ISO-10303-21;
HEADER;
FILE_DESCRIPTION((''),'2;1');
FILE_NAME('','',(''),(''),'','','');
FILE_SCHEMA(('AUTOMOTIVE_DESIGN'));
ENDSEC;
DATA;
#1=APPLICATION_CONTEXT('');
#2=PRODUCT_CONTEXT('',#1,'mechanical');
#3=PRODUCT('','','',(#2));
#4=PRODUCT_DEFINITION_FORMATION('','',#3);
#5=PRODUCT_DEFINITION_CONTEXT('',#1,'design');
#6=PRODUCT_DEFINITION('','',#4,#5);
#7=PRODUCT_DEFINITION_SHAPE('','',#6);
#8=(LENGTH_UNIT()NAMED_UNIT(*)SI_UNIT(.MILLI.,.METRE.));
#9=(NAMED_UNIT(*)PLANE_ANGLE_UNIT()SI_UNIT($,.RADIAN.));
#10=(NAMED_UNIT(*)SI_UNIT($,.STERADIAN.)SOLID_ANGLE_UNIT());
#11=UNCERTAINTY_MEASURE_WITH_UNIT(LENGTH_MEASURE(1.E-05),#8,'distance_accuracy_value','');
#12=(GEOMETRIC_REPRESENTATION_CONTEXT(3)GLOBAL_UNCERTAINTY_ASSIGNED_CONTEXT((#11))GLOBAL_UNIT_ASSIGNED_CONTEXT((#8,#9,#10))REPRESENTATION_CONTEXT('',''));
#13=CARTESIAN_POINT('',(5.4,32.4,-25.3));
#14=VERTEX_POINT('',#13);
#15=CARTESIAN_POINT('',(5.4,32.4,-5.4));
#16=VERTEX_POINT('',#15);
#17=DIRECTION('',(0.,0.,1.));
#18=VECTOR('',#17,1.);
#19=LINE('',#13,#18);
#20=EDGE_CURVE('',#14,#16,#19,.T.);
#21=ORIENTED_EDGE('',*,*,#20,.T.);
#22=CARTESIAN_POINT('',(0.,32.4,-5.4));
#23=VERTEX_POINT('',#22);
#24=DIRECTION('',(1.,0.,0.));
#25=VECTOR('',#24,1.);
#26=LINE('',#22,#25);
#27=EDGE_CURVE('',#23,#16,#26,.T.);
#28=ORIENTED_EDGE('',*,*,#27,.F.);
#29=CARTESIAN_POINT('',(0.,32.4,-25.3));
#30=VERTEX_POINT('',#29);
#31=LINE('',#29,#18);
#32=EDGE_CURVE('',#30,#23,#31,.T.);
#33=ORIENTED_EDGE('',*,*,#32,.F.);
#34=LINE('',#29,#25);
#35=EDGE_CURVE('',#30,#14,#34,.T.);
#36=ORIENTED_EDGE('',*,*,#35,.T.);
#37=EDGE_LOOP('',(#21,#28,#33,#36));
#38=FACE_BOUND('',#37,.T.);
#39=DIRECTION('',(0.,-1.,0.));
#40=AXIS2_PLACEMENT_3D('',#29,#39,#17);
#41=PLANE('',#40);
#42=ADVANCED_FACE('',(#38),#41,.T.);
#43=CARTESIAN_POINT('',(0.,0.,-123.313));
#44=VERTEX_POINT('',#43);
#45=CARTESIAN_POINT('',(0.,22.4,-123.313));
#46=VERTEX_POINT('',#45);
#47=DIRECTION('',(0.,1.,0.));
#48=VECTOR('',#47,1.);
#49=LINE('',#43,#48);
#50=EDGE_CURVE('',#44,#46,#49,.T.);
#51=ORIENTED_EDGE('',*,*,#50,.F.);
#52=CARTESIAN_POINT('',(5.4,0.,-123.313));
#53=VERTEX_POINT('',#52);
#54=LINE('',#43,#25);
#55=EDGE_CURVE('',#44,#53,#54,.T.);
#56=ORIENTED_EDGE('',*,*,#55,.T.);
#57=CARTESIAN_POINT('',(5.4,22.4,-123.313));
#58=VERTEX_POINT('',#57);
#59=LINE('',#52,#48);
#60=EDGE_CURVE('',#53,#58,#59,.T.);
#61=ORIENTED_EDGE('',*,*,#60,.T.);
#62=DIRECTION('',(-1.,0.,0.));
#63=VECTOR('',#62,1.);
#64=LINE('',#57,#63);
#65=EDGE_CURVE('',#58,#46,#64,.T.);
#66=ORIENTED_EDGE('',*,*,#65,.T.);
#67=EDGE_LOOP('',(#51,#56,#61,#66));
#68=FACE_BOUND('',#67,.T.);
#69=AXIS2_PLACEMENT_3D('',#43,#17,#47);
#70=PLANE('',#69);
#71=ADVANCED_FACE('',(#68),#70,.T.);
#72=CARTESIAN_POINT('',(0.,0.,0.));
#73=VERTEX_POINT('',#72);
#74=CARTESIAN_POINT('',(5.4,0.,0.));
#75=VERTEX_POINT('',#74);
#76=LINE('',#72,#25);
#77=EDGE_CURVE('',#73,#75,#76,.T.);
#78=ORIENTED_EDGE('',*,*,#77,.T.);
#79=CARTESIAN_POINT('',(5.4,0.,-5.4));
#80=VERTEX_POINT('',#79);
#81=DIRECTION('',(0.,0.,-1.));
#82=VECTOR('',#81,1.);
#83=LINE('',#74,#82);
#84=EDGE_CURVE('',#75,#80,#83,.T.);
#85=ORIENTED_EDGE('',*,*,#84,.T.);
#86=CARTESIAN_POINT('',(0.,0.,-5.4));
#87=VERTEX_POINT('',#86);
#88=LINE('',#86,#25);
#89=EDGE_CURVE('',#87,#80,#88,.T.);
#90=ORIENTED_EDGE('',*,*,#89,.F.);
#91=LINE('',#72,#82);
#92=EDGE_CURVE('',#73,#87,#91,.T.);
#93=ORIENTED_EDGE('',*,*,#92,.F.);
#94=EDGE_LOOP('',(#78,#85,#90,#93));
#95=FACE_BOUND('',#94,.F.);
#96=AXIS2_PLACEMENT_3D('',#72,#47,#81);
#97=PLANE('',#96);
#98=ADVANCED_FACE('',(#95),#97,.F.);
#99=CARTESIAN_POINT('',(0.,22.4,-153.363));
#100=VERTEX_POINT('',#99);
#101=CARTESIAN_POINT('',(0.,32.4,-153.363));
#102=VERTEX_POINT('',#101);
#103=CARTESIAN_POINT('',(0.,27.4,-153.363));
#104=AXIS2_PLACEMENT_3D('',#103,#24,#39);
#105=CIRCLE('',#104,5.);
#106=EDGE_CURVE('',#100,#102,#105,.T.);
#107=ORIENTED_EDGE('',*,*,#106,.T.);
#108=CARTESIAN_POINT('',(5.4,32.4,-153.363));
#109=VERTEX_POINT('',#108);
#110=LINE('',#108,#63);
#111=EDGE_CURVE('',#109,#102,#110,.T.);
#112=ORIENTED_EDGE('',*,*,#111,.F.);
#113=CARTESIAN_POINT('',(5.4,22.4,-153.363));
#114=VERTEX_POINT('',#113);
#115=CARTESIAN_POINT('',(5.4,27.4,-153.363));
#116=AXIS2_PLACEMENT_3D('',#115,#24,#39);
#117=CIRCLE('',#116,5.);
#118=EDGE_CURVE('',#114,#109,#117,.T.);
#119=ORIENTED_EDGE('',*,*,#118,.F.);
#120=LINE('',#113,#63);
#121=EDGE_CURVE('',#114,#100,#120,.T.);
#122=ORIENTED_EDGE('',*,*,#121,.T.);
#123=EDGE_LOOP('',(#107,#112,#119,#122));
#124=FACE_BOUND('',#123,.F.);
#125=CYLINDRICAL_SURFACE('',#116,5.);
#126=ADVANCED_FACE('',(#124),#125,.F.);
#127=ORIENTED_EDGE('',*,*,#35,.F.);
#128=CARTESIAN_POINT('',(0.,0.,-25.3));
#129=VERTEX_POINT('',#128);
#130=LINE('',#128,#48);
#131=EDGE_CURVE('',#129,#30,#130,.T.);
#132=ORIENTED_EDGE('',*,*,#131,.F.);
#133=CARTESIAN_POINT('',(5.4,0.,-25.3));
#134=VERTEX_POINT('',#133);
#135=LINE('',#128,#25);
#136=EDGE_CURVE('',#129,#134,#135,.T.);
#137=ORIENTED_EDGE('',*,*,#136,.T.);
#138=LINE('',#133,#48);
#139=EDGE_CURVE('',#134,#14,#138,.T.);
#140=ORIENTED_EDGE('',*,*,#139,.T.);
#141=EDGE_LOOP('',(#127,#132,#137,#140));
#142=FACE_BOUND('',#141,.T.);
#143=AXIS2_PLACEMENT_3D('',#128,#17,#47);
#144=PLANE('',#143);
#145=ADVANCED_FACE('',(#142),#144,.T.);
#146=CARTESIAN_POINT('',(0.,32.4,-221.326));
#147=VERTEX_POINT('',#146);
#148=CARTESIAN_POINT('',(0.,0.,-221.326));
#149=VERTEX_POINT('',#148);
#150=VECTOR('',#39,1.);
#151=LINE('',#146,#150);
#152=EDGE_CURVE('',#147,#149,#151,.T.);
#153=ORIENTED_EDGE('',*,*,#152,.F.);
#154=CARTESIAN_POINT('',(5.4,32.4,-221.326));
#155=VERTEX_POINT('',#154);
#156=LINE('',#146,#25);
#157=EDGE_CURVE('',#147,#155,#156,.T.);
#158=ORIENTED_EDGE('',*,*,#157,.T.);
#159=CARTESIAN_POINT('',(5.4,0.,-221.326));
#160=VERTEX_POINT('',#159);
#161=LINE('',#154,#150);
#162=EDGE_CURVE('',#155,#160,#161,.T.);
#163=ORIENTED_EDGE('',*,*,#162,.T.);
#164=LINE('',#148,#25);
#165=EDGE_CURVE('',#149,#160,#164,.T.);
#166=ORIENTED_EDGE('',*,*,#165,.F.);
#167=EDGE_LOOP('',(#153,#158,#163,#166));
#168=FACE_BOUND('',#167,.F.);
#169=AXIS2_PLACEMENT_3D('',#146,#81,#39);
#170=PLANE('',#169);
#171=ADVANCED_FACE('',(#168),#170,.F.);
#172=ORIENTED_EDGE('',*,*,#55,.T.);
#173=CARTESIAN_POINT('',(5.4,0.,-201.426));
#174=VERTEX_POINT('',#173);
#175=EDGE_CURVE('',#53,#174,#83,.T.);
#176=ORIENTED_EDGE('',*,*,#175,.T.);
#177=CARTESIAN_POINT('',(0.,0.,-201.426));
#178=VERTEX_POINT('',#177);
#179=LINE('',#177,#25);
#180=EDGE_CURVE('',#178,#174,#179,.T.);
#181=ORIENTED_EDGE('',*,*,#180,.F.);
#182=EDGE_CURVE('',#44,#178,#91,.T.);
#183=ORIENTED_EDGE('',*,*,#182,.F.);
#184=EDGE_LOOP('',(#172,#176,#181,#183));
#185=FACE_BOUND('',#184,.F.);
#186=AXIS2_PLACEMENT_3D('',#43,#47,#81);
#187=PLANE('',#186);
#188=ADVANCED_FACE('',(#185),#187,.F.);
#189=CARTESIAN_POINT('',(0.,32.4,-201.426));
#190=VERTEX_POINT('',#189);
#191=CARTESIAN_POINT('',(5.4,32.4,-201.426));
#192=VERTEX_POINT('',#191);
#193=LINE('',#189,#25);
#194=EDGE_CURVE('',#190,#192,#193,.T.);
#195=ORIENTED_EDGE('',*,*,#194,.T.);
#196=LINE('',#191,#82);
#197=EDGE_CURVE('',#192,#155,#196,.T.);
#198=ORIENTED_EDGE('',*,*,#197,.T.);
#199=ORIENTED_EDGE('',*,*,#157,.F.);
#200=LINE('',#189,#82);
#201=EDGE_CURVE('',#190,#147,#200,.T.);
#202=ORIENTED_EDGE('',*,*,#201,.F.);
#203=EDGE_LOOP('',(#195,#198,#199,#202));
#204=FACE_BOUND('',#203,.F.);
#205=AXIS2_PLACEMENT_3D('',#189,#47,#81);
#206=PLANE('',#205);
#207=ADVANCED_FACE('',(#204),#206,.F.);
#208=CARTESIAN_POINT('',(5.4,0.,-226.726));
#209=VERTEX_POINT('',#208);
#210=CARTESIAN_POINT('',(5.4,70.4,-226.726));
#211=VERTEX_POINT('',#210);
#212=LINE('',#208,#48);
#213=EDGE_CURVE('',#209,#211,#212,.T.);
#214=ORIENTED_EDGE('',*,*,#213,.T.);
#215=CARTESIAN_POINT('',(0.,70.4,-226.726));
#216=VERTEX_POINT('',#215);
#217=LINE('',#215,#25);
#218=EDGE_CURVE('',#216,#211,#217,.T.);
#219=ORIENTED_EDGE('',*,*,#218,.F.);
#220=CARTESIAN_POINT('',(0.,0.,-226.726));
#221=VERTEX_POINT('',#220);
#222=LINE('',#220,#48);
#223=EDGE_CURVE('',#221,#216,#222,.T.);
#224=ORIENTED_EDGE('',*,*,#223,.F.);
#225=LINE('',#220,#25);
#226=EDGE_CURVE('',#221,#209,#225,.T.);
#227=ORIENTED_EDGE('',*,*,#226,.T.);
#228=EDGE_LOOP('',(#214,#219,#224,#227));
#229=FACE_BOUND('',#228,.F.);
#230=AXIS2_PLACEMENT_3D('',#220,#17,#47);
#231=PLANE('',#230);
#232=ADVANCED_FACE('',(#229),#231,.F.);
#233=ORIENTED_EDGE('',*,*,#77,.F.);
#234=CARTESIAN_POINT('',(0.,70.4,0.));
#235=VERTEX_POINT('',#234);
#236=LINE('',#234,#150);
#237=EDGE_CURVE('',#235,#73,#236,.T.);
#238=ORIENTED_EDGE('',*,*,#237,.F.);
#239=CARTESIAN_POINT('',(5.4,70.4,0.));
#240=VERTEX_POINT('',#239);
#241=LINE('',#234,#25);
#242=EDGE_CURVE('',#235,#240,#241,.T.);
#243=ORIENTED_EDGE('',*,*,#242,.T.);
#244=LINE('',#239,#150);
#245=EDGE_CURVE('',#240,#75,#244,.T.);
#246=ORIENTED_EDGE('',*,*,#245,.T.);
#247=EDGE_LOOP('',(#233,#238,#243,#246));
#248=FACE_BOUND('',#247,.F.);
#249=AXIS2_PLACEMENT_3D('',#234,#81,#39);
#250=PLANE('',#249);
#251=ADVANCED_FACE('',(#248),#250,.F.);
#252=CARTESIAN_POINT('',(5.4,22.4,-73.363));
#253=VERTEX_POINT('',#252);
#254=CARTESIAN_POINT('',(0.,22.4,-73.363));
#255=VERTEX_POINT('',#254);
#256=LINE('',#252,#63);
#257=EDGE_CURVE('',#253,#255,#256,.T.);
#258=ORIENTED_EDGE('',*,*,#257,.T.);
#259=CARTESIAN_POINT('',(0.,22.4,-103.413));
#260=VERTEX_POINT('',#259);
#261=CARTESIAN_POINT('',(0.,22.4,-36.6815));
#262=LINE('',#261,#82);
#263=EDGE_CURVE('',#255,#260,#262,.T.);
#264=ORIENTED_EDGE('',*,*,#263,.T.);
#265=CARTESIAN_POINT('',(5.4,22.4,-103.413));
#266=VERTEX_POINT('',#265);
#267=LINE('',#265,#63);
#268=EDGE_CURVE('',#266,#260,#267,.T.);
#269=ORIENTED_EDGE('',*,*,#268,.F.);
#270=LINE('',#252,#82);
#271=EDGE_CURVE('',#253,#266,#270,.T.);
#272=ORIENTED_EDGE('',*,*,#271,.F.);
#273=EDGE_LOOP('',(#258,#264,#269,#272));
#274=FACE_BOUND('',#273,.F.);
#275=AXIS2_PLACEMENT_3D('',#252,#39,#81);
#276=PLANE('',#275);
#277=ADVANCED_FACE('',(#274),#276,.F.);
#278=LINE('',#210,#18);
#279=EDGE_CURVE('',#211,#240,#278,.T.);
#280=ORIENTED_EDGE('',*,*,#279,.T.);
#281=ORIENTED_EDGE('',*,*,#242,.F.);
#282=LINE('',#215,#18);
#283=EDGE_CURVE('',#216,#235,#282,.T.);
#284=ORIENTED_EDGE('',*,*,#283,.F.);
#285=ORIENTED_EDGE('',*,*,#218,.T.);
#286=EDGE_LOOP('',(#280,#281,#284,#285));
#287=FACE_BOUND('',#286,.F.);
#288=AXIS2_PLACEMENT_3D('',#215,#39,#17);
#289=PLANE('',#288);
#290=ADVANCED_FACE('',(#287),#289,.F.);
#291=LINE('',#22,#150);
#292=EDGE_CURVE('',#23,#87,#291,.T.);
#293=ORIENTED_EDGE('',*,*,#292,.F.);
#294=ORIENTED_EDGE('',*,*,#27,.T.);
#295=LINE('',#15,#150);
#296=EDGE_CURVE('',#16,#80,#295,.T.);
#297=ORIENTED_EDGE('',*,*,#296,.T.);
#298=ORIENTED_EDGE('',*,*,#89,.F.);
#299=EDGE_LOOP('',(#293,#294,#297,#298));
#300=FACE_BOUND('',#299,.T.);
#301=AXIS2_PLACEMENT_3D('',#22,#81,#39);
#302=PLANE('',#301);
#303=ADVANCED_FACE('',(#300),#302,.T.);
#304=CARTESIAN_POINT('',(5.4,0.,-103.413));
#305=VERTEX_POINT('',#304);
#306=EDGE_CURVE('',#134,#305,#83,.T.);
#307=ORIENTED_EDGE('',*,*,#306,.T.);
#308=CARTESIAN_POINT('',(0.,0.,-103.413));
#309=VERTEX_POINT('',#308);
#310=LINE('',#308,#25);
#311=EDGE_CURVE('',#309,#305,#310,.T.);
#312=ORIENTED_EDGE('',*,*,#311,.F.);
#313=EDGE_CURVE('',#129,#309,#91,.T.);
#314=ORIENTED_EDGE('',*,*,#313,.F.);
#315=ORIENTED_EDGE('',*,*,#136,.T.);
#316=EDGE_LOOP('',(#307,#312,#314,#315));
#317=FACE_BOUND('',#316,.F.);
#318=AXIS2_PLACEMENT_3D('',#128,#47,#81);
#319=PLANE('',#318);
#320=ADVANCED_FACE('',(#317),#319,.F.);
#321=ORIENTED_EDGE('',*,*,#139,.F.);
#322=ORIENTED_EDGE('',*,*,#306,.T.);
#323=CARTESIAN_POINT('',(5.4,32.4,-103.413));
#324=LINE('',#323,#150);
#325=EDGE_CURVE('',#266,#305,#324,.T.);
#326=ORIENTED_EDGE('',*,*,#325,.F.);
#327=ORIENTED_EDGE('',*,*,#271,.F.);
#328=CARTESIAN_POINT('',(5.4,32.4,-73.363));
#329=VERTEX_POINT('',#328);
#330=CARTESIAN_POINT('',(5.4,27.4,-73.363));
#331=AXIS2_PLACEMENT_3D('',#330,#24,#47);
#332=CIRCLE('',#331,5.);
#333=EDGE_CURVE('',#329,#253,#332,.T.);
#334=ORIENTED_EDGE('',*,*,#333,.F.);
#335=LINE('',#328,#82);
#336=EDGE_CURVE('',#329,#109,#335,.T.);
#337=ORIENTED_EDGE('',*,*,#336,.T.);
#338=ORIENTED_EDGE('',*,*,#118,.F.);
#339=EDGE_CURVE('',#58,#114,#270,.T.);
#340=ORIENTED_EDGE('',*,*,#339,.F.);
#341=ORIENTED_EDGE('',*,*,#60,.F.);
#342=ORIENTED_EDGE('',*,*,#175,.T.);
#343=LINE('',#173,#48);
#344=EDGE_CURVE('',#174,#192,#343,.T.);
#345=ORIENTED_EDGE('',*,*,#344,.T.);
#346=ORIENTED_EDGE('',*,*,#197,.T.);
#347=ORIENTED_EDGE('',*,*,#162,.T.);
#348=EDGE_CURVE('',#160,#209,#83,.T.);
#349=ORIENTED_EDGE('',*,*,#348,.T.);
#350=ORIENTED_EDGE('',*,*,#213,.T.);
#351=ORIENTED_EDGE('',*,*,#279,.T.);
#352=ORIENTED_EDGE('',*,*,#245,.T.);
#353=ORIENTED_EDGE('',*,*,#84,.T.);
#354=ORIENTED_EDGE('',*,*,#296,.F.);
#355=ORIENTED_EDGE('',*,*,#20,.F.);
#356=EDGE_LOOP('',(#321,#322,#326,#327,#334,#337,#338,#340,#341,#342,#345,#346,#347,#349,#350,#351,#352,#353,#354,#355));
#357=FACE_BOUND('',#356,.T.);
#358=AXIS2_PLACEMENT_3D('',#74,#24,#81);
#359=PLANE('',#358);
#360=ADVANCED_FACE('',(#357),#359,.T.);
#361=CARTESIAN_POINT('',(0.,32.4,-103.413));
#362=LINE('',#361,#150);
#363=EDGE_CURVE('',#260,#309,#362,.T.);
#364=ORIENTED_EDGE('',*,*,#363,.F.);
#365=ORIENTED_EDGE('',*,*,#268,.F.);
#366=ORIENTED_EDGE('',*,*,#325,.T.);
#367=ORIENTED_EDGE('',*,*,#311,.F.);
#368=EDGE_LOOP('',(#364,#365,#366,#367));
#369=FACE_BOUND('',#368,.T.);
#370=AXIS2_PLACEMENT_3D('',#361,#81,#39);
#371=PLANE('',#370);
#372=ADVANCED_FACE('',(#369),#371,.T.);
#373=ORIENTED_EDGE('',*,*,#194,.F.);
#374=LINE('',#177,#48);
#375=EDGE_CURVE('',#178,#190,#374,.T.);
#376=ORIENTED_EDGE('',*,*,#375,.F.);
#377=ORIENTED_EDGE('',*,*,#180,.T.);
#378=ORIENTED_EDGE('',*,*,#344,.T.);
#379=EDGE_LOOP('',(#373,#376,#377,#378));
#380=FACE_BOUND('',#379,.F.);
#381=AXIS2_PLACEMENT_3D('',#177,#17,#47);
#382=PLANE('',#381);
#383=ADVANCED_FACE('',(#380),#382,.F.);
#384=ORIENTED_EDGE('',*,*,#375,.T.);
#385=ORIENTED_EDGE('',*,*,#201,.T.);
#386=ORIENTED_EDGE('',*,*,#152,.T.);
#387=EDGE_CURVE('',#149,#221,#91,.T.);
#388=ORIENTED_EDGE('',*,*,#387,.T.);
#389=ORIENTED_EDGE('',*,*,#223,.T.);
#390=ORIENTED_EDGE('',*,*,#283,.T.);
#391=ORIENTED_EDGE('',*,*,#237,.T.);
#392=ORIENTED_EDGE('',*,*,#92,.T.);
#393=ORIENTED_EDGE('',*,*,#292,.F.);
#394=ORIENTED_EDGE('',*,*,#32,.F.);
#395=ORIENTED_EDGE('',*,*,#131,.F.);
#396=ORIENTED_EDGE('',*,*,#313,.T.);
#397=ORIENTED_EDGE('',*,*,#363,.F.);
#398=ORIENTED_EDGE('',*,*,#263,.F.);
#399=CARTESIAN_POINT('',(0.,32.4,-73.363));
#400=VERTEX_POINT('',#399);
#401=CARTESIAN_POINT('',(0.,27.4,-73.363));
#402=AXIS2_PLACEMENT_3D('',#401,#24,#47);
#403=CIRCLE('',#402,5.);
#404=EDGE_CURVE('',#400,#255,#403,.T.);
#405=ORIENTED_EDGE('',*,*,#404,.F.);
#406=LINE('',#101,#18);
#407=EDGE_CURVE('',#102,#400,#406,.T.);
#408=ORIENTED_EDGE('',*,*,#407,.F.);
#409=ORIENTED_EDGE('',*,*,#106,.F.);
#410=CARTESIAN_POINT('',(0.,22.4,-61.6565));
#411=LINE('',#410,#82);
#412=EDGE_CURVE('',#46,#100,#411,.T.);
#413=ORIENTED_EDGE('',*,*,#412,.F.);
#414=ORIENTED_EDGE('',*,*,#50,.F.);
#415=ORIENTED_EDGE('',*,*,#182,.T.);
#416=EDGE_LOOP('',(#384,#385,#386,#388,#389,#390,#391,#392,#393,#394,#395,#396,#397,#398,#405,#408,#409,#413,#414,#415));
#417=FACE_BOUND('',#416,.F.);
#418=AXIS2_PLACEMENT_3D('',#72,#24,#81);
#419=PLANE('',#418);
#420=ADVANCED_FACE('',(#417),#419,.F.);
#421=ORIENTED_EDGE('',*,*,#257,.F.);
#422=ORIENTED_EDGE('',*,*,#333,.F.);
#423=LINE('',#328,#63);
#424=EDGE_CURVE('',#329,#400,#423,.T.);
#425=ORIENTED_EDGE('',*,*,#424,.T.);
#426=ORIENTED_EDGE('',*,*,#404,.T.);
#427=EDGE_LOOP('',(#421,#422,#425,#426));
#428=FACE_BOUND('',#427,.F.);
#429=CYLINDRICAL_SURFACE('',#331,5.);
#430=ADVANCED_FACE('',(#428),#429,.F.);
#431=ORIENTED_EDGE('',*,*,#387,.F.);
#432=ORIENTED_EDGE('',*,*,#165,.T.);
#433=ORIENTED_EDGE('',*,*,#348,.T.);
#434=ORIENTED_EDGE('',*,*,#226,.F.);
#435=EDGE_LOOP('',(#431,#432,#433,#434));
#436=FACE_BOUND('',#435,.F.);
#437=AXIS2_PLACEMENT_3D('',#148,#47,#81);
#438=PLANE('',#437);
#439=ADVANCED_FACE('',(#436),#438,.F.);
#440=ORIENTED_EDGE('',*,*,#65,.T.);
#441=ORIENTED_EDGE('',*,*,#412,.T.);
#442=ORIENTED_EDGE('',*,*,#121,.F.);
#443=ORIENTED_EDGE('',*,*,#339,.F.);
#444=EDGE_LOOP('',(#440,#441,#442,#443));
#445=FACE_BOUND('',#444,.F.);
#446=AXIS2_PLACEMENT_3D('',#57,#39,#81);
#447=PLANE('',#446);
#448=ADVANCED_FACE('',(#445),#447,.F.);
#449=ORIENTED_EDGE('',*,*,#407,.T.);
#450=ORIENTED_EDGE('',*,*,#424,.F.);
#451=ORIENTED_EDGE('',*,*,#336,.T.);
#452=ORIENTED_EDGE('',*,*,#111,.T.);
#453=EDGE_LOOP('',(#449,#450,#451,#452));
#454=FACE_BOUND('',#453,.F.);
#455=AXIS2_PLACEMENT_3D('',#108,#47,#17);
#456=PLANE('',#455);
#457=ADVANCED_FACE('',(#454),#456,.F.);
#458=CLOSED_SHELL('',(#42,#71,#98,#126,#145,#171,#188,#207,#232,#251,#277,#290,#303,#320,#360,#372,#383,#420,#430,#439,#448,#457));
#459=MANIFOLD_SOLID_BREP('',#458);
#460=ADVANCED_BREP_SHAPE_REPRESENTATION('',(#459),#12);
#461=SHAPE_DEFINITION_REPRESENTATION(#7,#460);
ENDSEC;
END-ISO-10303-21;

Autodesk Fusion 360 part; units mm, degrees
sketch "Sketch1" plane through (0, 0, 0) normal (1, 0, 0) x (0, 0, -1)
  line L0 (0, 0) -> (226.726, 0)
  line L1 (226.726, 0) -> (226.726, 70.4)
  line L2 (226.726, 70.4) -> (0, 70.4)
  line L3 (0, 70.4) -> (0, 0)
  line L4 (5.4, 0) -> (25.3, 0)
  line L5 (25.3, 0) -> (25.3, 32.4)
  line L6 (25.3, 32.4) -> (5.4, 32.4)
  line L7 (5.4, 32.4) -> (5.4, 0)
  line L8 (103.413, 0) -> (123.313, 0)
  line L9 (123.313, 0) -> (123.313, 32.4)
  line L10 (123.313, 32.4) -> (103.413, 32.4)
  line L11 (103.413, 32.4) -> (103.413, 0)
  line L12 (221.326, 0) -> (201.426, 0)
  line L13 (201.426, 0) -> (201.426, 32.4)
  line L14 (201.426, 32.4) -> (221.326, 32.4)
  line L15 (221.326, 32.4) -> (221.326, 0)
  dimension "d1" = 226.726
  dimension "d2" = 70.4
  dimension "d3" = 19.9
  dimension "d4" = 19.9
  dimension "d5" = 19.9
  dimension "d6" = 5.4
  dimension "d7" = 5.4
  dimension "d8" = 32.4
  dimension "d9" = 32.4
  dimension "d10" = 32.4
  dimension "d11" = 103.413
extrude "Extrude1" add sketch "Sketch1" along normal blind 5.4 contours L0 L1 L2 L3 L5 L6 L7 L9 L10 L11 L13 L14 L15
sketch "Sketch2" plane through (5.4, 0, 0) normal (1, 0, 0) x (0, 0, -1)
  line L0 (123.313, 0) -> (201.426, 0)
  line L1 (201.426, 0) -> (201.426, 32.4)
  line L2 (201.426, 32.4) -> (221.326, 32.4)
  line L3 (221.326, 32.4) -> (221.326, 0)
  line L4 (221.326, 0) -> (226.726, 0)
  line L5 (226.726, 0) -> (226.726, 70.4)
  line L6 (226.726, 70.4) -> (0, 70.4)
  line L7 (0, 70.4) -> (0, 0)
  line L8 (0, 0) -> (5.4, 0)
  line L9 (5.4, 0) -> (5.4, 32.4)
  line L10 (5.4, 32.4) -> (25.3, 32.4)
  line L11 (25.3, 32.4) -> (25.3, 0)
  line L12 (25.3, 0) -> (103.413, 0)
  line L13 (103.413, 0) -> (103.413, 32.4)
  line L14 (103.413, 32.4) -> (123.313, 32.4)
  line L15 (123.313, 32.4) -> (123.313, 0)
  line L16 (153.363, 32.4) -> (73.363, 32.4)
  arc A0 (73.363, 32.4) -> (73.363, 22.4) centre (73.363, 27.4) ccw
  line L17 (73.363, 22.4) -> (153.363, 22.4)
  arc A1 (153.363, 22.4) -> (153.363, 32.4) centre (153.363, 27.4) ccw
  line L18 (153.363, 27.4) -> (73.363, 27.4) construction
  point P0 (113.363, 27.4)
  dimension "d14" = 5
  dimension "d15" = 80
  dimension "d16" = 226.726
  dimension "d17" = 113.363
extrude "Extrude2" cut sketch "Sketch2" against normal blind 10 contours L15 L16 L17 A1 | L13 L16 A0 L17
sketch "export" plane through (5.4, 0, 0) normal (1, 0, 0) x (0, 0, -1)
  line L0 (103.413, 22.4) -> (73.363, 22.4)
  arc A0 (73.363, 32.4) -> (73.363, 22.4) centre (73.363, 27.4) ccw
  line L1 (73.363, 32.4) -> (153.363, 32.4)
  arc A1 (153.363, 22.4) -> (153.363, 32.4) centre (153.363, 27.4) ccw
  line L2 (153.363, 22.4) -> (123.313, 22.4)
  line L3 (123.313, 22.4) -> (123.313, 0)
  line L4 (123.313, 0) -> (201.426, 0)
  line L5 (201.426, 0) -> (201.426, 32.4)
  line L6 (201.426, 32.4) -> (221.326, 32.4)
  line L7 (221.326, 32.4) -> (221.326, 0)
  line L8 (221.326, 0) -> (226.726, 0)
  line L9 (226.726, 0) -> (226.726, 70.4)
  line L10 (226.726, 70.4) -> (0, 70.4)
  line L11 (0, 70.4) -> (0, 0)
  line L12 (0, 0) -> (5.4, 0)
  line L13 (5.4, 0) -> (5.4, 32.4)
  line L14 (5.4, 32.4) -> (25.3, 32.4)
  line L15 (25.3, 32.4) -> (25.3, 0)
  line L16 (25.3, 0) -> (103.413, 0)
  line L17 (103.413, 0) -> (103.413, 22.4)
equation "d2 = d8 + 38 mm"
equation "d4 = d3"
equation "d5 = d4"
equation "d7 = d6"
equation "d8 = 6 * 5.4 mm"
equation "d9 = d8"
equation "d10 = d9"
equation "d11 = ( d1 - d4 ) / 2"
equation "d17 = d16 / 2"
